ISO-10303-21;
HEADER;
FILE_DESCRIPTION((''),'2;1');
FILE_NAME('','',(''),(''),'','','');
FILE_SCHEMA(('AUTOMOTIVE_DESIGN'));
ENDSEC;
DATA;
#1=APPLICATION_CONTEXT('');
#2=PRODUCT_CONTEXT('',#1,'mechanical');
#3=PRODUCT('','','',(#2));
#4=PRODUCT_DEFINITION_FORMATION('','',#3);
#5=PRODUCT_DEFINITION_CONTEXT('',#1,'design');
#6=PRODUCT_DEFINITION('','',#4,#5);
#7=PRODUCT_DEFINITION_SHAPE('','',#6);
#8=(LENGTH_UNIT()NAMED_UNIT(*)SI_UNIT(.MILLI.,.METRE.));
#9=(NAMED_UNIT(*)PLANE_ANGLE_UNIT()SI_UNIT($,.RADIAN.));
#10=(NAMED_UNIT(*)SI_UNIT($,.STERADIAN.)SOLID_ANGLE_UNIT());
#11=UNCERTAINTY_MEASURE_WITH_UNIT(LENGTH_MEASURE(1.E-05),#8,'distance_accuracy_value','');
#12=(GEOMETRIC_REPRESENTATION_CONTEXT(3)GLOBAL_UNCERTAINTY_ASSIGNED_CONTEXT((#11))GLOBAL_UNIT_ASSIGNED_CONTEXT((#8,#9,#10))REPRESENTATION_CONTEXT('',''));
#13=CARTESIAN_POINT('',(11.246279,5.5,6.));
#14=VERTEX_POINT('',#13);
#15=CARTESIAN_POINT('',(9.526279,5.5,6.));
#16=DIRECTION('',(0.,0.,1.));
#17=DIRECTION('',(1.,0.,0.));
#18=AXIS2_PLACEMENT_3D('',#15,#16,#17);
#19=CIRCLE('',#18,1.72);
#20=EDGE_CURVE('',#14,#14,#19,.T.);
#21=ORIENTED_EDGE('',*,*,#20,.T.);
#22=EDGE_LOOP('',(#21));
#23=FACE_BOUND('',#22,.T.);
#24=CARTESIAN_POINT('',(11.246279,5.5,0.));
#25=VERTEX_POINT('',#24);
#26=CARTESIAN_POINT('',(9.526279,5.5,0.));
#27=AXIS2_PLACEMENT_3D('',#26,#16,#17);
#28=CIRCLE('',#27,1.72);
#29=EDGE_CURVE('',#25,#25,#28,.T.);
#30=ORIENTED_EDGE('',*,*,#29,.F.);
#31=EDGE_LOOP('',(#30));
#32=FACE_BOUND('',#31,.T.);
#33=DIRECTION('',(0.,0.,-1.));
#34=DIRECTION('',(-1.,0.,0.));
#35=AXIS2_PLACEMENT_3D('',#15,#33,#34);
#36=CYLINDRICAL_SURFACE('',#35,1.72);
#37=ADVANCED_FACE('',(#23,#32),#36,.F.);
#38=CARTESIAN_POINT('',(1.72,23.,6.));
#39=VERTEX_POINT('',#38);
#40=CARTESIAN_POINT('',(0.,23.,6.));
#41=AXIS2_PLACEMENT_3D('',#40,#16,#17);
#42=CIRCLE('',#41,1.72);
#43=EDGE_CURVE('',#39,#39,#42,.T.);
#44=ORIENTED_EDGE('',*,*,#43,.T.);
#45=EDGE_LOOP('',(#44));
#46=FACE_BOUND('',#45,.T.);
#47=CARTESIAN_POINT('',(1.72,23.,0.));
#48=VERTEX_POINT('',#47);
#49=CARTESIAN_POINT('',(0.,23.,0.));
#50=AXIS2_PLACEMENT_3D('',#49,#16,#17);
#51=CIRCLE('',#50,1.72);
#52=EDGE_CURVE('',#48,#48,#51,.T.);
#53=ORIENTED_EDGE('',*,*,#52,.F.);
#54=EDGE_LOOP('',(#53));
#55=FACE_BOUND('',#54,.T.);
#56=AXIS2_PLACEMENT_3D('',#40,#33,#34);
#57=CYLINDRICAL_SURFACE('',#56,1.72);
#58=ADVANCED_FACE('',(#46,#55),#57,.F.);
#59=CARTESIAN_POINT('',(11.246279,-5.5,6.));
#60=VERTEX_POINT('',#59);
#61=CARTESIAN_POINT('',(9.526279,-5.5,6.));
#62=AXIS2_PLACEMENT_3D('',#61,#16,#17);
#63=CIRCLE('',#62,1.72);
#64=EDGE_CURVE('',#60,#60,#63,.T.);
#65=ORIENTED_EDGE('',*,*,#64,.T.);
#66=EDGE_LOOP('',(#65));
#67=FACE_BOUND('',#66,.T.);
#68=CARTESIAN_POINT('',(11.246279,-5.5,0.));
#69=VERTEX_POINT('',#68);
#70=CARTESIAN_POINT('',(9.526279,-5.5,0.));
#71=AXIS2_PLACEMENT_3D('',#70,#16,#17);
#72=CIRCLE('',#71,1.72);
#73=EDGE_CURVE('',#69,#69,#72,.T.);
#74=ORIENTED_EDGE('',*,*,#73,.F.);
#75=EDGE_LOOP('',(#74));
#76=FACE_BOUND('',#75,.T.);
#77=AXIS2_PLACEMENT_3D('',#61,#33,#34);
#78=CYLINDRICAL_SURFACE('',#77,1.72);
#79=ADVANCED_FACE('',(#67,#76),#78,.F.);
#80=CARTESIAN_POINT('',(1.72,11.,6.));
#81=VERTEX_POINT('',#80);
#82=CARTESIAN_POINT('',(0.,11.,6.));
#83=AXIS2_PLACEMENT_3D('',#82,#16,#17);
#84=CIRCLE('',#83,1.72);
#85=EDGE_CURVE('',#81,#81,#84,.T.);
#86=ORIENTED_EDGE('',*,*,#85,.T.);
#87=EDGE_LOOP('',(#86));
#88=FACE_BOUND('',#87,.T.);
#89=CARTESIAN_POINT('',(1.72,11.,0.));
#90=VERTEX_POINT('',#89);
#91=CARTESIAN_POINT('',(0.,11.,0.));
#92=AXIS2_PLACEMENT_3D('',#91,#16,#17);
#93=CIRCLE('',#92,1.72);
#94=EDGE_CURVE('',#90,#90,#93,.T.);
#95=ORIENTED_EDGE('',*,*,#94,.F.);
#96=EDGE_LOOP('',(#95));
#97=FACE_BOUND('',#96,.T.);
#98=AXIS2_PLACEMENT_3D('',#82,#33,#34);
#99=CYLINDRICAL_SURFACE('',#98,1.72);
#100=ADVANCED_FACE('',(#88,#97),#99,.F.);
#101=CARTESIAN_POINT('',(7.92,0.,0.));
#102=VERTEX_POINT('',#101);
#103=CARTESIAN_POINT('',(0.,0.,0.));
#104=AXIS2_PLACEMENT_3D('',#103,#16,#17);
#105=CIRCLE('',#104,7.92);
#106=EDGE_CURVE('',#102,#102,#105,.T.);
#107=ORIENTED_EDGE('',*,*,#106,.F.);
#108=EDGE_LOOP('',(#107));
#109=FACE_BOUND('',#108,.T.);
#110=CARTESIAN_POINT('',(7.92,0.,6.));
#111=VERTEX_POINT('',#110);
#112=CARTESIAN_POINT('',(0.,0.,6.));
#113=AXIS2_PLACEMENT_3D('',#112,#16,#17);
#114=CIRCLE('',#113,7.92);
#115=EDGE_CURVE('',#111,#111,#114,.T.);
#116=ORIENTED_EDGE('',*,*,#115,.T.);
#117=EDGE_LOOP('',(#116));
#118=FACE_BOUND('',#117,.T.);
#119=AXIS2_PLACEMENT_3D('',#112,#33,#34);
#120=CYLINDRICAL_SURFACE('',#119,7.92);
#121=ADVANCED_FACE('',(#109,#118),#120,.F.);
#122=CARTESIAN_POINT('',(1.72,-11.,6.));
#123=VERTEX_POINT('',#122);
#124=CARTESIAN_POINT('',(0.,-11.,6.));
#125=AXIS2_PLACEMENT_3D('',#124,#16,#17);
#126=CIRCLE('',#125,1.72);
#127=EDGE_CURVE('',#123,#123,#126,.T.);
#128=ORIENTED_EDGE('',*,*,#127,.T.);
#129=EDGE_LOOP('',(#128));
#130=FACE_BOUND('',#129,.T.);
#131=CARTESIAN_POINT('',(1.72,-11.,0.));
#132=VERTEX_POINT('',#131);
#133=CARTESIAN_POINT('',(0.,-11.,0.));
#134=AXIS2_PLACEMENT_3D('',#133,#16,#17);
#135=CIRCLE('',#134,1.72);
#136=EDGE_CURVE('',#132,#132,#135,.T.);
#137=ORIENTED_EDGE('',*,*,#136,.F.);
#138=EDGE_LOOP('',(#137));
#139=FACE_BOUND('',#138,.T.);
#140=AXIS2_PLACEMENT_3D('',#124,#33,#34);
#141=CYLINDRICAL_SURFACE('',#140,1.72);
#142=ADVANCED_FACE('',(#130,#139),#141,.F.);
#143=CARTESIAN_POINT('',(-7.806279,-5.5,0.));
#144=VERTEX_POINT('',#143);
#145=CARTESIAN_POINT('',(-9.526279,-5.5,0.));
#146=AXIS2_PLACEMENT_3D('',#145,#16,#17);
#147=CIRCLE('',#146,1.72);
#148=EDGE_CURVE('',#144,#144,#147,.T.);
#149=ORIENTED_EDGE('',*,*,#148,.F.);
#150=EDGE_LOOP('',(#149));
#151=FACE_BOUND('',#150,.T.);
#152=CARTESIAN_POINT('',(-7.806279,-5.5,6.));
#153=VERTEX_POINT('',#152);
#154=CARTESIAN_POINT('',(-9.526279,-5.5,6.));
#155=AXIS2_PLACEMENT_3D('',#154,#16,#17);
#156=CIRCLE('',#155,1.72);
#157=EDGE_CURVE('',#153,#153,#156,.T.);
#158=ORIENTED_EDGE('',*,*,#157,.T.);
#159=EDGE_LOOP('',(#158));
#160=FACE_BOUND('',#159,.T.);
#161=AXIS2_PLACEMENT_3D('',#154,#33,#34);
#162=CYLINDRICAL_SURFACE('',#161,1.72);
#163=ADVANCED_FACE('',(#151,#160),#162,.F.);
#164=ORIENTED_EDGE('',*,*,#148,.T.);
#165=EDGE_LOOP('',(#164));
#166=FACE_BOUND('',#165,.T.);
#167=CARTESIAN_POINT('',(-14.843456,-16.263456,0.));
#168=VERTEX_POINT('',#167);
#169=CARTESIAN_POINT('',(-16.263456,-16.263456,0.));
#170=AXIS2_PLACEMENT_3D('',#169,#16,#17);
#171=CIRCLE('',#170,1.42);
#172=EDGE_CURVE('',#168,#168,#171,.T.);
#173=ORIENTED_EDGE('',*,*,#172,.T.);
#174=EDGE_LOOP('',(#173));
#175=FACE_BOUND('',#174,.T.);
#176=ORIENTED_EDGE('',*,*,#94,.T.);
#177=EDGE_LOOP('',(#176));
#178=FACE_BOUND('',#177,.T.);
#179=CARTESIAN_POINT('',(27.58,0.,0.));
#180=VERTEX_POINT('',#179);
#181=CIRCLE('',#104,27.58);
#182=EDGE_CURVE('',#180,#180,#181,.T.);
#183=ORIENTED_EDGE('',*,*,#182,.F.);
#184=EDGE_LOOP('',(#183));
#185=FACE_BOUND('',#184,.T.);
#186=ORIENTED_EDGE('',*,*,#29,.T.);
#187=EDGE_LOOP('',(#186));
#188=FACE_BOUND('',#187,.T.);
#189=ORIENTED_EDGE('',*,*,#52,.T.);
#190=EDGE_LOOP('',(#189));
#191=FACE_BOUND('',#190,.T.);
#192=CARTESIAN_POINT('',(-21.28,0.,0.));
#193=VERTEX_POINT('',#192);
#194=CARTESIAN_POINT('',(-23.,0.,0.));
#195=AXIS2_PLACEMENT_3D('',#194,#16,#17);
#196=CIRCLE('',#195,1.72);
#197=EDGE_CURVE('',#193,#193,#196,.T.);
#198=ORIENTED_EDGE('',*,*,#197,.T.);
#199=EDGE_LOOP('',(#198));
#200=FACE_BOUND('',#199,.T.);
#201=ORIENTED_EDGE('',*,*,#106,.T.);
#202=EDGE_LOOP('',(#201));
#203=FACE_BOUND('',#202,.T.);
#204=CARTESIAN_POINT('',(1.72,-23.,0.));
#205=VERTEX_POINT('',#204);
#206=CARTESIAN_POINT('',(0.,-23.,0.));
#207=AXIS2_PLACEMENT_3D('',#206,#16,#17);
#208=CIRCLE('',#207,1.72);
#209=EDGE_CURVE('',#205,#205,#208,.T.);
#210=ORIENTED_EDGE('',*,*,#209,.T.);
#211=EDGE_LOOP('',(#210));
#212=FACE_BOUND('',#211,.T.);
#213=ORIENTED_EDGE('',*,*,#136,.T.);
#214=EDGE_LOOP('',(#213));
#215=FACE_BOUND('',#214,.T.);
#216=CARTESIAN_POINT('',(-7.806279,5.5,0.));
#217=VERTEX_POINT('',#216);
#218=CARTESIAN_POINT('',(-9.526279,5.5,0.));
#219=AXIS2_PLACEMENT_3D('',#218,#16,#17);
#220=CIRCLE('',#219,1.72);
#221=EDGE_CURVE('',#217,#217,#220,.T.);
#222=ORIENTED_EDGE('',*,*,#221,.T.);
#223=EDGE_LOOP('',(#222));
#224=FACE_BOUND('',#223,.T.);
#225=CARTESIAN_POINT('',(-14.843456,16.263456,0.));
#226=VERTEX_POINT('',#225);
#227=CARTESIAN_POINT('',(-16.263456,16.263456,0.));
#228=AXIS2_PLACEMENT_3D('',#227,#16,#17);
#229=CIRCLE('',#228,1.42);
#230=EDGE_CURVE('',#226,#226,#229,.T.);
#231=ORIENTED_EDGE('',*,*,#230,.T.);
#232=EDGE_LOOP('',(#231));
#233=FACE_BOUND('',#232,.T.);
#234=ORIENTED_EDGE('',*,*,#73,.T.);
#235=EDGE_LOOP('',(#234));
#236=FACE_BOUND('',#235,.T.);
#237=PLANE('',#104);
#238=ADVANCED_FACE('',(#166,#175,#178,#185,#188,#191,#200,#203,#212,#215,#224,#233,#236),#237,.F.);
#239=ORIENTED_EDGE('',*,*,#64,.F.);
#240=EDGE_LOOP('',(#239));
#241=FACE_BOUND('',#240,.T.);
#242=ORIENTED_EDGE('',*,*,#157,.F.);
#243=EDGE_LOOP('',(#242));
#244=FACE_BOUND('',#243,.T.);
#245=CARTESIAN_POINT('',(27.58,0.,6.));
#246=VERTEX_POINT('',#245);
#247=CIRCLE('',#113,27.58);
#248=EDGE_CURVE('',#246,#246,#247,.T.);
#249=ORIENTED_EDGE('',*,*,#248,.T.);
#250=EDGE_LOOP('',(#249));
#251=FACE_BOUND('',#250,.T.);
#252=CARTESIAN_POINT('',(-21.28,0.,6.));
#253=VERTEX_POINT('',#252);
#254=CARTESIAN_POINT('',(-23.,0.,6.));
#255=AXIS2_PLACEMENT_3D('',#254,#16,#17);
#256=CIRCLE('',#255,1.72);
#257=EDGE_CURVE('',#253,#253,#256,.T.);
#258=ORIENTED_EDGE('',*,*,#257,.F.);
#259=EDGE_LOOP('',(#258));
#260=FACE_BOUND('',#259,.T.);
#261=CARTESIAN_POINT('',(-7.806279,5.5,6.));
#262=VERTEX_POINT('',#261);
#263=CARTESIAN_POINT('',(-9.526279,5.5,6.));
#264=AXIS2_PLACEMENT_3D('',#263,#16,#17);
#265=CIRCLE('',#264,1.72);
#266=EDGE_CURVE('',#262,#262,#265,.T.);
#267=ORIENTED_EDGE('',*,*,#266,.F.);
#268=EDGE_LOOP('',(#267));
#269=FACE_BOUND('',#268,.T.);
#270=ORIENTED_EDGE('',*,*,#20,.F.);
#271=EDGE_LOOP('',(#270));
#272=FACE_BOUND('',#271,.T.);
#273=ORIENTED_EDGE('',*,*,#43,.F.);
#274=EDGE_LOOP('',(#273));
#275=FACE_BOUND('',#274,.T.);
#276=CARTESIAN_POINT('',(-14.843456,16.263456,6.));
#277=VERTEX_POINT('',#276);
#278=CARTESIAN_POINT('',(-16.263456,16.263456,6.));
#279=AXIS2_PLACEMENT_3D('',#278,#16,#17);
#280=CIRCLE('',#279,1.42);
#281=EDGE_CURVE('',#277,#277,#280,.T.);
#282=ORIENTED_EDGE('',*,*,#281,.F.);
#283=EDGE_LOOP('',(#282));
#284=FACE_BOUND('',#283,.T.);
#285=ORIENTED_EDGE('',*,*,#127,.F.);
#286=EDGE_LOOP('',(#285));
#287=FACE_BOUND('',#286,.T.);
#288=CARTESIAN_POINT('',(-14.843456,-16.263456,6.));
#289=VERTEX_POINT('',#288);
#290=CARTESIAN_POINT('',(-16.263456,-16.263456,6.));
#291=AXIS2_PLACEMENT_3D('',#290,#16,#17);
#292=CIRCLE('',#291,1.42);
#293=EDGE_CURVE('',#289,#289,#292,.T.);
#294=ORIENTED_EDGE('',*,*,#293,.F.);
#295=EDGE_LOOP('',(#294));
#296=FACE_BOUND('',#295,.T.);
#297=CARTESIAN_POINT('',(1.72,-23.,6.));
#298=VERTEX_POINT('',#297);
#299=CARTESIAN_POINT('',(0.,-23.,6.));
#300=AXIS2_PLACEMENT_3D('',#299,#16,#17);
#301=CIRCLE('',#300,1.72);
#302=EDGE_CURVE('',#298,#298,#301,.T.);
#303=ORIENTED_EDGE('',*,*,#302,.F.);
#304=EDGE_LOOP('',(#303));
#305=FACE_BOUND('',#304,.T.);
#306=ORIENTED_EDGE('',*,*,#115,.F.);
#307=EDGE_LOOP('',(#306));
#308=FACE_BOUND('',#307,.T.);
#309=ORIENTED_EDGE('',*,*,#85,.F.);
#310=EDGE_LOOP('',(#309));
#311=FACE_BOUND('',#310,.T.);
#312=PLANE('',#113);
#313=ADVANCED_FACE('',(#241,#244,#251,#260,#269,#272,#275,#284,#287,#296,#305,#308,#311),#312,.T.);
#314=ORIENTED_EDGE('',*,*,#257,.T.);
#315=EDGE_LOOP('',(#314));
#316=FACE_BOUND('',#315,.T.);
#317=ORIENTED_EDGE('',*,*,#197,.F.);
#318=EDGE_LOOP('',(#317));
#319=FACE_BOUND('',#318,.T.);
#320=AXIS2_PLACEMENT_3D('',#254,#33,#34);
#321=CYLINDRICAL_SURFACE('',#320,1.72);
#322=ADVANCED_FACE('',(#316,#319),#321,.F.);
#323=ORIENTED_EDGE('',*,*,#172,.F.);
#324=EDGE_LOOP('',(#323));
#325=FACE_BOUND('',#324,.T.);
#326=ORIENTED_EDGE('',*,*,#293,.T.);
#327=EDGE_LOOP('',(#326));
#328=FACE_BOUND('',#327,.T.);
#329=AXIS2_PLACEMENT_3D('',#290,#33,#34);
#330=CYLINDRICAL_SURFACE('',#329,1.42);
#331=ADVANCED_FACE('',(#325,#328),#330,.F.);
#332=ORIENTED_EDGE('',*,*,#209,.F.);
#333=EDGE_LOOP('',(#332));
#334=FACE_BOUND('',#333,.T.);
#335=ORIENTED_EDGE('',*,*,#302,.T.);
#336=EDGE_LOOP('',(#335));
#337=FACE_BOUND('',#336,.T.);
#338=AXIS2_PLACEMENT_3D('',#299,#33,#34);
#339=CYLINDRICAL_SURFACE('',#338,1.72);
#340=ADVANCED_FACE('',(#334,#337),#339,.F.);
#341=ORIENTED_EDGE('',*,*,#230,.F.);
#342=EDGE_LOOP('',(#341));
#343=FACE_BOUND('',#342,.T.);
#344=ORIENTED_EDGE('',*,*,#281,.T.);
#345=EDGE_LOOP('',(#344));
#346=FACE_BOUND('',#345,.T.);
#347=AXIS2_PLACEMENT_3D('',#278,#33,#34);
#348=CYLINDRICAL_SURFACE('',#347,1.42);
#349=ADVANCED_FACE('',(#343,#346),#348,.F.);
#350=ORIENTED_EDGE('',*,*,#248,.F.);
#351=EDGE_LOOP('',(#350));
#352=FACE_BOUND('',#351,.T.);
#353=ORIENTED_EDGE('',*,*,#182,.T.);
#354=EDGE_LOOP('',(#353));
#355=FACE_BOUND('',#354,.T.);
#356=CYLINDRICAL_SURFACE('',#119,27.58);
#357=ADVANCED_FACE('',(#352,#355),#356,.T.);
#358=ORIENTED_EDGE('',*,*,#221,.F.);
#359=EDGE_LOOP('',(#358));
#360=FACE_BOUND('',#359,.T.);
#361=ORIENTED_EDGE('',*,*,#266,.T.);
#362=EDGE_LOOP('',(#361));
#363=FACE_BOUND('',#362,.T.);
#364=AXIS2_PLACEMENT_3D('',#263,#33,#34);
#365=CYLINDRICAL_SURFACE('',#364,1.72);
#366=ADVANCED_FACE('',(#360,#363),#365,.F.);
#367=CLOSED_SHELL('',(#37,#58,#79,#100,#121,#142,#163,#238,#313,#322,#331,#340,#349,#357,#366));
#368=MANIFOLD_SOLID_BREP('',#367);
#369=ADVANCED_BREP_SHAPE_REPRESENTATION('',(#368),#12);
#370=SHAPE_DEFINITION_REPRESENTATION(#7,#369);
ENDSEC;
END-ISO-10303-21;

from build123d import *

# Parameters (mm, degrees)
SKETCH1_R           = 27.5
SKETCH1_R_2         = 8
SKETCH1_R_3         = 1.8
SKETCH1_R_4         = 1.5
BOSS_EXTRUDE1_DEPTH = 6
MOVE_FACE1_BY       = 0.08
MOVE_FACE1_2_BY     = 0.08
MOVE_FACE1_3_BY     = 0.08
MOVE_FACE1_4_BY     = 0.08
MOVE_FACE1_5_BY     = 0.08
MOVE_FACE1_6_BY     = 0.08
MOVE_FACE1_7_BY     = 0.08
MOVE_FACE1_8_BY     = 0.08
MOVE_FACE1_9_BY     = 0.08
MOVE_FACE1_10_BY    = 0.08
MOVE_FACE1_11_BY    = 0.08
MOVE_FACE1_12_BY    = 0.08
MOVE_FACE1_13_BY    = 0.08


with BuildPart() as part:
    # Sketch1 → Boss-Extrude1 (new body)
    with BuildSketch(Plane.XY):
        Circle(SKETCH1_R)
        Circle(SKETCH1_R_2, mode=Mode.SUBTRACT)
        with Locations((0, 23)):
            Circle(SKETCH1_R_3, mode=Mode.SUBTRACT)
        with Locations((0, -23)):
            Circle(SKETCH1_R_3, mode=Mode.SUBTRACT)
        with Locations((-16.263455967, -16.263455967)):
            Circle(SKETCH1_R_4, mode=Mode.SUBTRACT)
        with Locations((-23, 0)):
            Circle(SKETCH1_R_3, mode=Mode.SUBTRACT)
        with Locations((-16.263455967, 16.263455967)):
            Circle(SKETCH1_R_4, mode=Mode.SUBTRACT)
        with Locations((0, 11)):
            Circle(SKETCH1_R_3, mode=Mode.SUBTRACT)
        with Locations((9.526279442, 5.5)):
            Circle(SKETCH1_R_3, mode=Mode.SUBTRACT)
        with Locations((9.526279442, -5.5)):
            Circle(SKETCH1_R_3, mode=Mode.SUBTRACT)
        with Locations((0, -11)):
            Circle(SKETCH1_R_3, mode=Mode.SUBTRACT)
        with Locations((-9.526279442, -5.5)):
            Circle(SKETCH1_R_3, mode=Mode.SUBTRACT)
        with Locations((-9.526279442, 5.5)):
            Circle(SKETCH1_R_3, mode=Mode.SUBTRACT)
    extrude(amount=BOSS_EXTRUDE1_DEPTH)

    # Move Face1: a curved face moved outward by 0.08
    add(Solid.thicken(part.faces().sort_by_distance((-17.763455967, -16.263455967, 3))[0], MOVE_FACE1_BY))

    # Move Face1 2: a curved face moved outward by 0.08
    add(Solid.thicken(part.faces().sort_by_distance((-24.8, 0, 3))[0], MOVE_FACE1_2_BY))

    # Move Face1 3: a curved face moved outward by 0.08
    add(Solid.thicken(part.faces().sort_by_distance((-17.763455967, 16.263455967, 3))[0], MOVE_FACE1_3_BY))

    # Move Face1 4: a curved face moved outward by 0.08
    add(Solid.thicken(part.faces().sort_by_distance((-1.8, 23, 3))[0], MOVE_FACE1_4_BY))

    # Move Face1 5: a curved face moved outward by 0.08
    add(Solid.thicken(part.faces().sort_by_distance((-27.5, 0, 3))[0], MOVE_FACE1_5_BY))

    # Move Face1 6: a curved face moved outward by 0.08
    add(Solid.thicken(part.faces().sort_by_distance((-8, 0, 3))[0], MOVE_FACE1_6_BY))

    # Move Face1 7: a curved face moved outward by 0.08
    add(Solid.thicken(part.faces().sort_by_distance((-1.8, 11, 3))[0], MOVE_FACE1_7_BY))

    # Move Face1 8: a curved face moved outward by 0.08
    add(Solid.thicken(part.faces().sort_by_distance((-1.8, -23, 3))[0], MOVE_FACE1_8_BY))

    # Move Face1 9: a curved face moved outward by 0.08
    add(Solid.thicken(part.faces().sort_by_distance((7.726279442, 5.5, 3))[0], MOVE_FACE1_9_BY))

    # Move Face1 10: a curved face moved outward by 0.08
    add(Solid.thicken(part.faces().sort_by_distance((7.726279442, -5.5, 3))[0], MOVE_FACE1_10_BY))

    # Move Face1 11: a curved face moved outward by 0.08
    add(Solid.thicken(part.faces().sort_by_distance((-1.8, -11, 3))[0], MOVE_FACE1_11_BY))

    # Move Face1 12: a curved face moved outward by 0.08
    add(Solid.thicken(part.faces().sort_by_distance((-11.326279442, -5.5, 3))[0], MOVE_FACE1_12_BY))

    # Move Face1 13: a curved face moved outward by 0.08
    add(Solid.thicken(part.faces().sort_by_distance((-11.326279442, 5.5, 3))[0], MOVE_FACE1_13_BY))


solid = part.part
